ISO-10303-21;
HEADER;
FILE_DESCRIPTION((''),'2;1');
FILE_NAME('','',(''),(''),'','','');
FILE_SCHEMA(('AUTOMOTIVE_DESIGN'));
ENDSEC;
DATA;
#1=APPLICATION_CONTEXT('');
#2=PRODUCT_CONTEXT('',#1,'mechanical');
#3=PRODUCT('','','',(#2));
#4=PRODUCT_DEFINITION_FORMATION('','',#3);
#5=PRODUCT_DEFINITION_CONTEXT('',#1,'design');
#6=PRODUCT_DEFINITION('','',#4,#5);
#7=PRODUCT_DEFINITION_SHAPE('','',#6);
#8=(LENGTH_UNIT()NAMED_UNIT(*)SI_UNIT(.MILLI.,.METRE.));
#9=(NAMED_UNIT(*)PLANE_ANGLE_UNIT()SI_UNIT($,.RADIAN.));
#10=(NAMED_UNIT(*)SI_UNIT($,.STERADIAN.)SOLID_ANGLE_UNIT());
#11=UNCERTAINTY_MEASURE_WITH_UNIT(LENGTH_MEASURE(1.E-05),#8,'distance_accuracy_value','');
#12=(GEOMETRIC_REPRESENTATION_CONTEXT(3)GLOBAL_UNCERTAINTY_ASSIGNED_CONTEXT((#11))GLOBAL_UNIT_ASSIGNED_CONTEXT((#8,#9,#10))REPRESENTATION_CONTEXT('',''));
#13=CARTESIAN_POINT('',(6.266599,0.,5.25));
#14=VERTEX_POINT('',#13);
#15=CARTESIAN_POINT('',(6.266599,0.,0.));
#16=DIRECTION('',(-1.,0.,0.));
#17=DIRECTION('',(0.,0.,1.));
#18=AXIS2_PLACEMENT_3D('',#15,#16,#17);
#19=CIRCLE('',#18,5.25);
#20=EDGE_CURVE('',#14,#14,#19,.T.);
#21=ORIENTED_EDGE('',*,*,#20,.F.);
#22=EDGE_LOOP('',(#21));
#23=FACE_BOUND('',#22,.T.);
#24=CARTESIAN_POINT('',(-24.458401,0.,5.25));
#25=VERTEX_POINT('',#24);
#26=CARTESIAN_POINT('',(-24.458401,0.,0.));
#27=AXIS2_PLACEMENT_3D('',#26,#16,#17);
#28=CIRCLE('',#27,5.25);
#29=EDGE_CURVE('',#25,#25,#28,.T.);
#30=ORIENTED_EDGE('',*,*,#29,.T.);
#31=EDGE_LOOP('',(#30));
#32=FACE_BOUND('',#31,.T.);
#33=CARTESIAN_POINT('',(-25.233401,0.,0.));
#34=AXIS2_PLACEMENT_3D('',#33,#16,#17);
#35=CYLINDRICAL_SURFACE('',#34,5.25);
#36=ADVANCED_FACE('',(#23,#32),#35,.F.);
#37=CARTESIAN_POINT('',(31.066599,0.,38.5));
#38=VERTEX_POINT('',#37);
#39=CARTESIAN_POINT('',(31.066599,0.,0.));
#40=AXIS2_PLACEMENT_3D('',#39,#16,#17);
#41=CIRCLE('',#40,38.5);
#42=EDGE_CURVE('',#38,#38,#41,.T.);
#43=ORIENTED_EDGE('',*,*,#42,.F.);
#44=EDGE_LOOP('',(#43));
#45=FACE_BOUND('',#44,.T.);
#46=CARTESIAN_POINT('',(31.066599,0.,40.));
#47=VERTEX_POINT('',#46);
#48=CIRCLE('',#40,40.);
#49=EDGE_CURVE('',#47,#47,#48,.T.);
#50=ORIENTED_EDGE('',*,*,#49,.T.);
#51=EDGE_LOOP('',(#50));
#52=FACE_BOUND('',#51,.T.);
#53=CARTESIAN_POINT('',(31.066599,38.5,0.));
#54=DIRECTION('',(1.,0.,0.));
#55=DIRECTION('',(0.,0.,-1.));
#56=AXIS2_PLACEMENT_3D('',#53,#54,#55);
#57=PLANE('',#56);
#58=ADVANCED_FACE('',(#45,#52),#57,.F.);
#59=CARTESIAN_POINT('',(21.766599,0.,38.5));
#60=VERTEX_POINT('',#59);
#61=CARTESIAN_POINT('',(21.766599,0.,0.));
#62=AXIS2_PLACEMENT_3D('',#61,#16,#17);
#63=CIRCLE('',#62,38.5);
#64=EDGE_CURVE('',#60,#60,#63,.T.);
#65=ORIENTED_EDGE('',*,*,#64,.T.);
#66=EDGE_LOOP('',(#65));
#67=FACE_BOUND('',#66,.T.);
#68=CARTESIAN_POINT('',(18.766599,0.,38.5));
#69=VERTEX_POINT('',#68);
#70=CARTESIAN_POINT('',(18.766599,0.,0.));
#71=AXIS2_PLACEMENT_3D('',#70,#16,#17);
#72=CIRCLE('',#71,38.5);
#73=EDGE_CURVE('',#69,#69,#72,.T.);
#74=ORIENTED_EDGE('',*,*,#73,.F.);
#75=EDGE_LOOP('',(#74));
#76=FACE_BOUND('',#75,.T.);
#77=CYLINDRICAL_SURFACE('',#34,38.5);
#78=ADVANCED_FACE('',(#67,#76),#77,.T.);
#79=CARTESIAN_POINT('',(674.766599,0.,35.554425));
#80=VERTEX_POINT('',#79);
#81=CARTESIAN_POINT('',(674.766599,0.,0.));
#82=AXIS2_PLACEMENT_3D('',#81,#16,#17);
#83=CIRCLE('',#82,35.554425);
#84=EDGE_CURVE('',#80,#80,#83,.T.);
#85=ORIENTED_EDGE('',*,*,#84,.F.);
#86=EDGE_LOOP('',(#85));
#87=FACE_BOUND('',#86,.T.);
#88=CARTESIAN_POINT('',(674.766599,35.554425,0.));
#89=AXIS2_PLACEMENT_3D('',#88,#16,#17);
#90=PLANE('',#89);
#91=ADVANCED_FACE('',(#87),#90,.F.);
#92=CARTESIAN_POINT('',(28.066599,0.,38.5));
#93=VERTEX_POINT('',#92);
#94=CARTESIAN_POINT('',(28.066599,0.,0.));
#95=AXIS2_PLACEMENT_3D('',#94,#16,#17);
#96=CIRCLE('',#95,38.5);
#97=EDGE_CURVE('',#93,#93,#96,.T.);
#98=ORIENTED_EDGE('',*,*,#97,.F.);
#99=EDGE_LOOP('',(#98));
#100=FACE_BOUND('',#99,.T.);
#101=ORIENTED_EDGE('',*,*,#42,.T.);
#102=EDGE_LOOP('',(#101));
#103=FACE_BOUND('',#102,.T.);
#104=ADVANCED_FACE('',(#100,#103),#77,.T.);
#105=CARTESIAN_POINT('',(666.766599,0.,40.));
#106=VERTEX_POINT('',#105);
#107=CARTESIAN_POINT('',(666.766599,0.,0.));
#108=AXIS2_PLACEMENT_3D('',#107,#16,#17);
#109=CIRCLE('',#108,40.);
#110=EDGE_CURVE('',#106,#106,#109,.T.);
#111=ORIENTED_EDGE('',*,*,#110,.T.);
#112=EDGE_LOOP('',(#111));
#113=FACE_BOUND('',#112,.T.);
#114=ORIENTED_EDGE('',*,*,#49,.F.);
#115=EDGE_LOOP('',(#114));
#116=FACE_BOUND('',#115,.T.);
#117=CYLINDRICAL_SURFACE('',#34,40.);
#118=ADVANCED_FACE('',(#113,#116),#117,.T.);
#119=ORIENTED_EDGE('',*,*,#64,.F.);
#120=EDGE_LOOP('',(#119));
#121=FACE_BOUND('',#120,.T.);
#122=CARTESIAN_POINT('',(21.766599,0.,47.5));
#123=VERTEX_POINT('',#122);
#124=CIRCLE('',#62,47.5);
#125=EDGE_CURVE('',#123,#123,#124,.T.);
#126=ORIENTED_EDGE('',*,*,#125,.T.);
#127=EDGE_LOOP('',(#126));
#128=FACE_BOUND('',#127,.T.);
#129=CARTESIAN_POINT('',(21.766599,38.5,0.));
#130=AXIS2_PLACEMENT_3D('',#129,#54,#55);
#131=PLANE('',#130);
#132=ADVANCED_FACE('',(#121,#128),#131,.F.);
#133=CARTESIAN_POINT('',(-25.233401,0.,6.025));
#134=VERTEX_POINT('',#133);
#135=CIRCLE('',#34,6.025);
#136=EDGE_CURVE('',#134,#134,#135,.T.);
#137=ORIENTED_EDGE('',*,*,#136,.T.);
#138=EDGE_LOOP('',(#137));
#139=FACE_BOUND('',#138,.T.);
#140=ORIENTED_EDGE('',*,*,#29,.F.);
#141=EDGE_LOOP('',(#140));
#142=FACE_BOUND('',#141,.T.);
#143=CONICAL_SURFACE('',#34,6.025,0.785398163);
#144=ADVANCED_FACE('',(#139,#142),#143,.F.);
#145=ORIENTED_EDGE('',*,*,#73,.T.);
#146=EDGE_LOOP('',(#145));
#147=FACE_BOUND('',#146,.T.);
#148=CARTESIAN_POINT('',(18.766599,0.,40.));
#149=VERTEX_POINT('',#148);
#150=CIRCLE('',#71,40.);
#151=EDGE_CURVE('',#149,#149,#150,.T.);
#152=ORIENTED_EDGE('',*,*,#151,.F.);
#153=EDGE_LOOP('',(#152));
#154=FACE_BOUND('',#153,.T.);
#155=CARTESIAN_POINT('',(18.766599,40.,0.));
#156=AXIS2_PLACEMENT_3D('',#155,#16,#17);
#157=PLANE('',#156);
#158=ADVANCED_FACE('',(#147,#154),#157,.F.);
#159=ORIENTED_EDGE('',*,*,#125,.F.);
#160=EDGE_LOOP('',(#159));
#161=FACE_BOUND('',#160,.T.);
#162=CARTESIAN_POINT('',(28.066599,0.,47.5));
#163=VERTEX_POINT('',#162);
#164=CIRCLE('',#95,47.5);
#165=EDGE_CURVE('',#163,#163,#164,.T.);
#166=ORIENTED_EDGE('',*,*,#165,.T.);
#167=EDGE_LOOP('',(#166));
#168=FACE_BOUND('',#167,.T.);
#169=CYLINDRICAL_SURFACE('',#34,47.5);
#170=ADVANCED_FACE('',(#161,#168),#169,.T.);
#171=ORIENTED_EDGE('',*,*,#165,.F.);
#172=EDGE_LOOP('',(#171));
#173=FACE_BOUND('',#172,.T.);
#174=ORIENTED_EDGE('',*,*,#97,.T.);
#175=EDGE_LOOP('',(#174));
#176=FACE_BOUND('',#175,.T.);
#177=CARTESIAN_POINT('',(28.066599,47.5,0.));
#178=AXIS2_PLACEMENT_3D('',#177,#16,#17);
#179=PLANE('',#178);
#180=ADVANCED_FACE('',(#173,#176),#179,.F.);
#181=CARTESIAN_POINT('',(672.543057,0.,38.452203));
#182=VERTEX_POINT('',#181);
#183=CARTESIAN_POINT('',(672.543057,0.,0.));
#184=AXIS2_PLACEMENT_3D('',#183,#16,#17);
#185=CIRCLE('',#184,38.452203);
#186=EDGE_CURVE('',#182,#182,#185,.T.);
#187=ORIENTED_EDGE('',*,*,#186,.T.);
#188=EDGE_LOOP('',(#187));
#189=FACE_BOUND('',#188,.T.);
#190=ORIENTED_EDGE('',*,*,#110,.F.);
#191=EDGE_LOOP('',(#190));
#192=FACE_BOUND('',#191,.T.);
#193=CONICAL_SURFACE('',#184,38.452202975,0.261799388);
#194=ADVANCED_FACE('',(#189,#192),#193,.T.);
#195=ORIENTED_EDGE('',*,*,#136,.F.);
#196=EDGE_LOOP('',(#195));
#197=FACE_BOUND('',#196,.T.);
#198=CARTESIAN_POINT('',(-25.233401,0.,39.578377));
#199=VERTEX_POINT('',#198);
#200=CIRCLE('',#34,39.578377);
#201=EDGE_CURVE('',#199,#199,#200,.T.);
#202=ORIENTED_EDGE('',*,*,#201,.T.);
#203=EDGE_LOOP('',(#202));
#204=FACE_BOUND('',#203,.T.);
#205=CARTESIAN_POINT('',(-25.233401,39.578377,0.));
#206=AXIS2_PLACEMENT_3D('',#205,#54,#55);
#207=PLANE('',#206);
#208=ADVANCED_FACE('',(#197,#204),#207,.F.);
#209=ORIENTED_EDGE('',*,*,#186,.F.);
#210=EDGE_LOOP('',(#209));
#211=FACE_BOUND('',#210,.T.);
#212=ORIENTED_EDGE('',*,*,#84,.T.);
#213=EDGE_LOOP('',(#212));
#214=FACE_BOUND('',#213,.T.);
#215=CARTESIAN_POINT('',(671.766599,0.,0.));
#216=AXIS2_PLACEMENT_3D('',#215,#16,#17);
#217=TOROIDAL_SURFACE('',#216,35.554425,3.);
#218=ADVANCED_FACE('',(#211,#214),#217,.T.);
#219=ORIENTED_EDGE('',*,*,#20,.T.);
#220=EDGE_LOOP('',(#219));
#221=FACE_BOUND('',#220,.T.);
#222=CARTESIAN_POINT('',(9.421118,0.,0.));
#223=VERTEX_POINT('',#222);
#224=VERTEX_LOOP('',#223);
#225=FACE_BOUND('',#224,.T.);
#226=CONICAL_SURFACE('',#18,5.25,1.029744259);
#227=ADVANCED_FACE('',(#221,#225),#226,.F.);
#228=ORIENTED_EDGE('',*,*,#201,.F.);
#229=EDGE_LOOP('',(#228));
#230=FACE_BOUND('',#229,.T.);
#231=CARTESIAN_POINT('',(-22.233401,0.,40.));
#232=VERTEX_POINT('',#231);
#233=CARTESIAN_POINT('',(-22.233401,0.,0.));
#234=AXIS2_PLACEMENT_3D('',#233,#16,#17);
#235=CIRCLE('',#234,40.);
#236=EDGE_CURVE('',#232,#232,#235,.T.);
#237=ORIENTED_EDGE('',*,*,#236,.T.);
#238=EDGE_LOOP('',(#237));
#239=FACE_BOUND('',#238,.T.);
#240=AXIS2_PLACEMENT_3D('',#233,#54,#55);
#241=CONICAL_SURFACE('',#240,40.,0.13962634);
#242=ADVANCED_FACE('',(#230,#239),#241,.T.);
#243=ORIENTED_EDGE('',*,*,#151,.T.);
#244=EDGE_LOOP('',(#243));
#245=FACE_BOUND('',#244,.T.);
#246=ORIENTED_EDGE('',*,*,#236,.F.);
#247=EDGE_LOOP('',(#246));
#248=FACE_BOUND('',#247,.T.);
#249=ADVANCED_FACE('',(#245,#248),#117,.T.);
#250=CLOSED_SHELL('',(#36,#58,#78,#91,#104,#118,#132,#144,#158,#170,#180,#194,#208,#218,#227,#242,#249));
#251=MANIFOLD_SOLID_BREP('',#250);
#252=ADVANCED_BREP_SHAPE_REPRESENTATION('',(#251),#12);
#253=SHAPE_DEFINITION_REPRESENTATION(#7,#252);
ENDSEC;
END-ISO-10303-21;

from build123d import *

# Parameters (mm, degrees)
OTW_R_GWINTOWANY_M12X1_51_D           = 10.5
OTW_R_GWINTOWANY_M12X1_51_DEPTH       = 31.5
OTW_R_GWINTOWANY_M12X1_51_CSINK_D     = 12.05
OTW_R_GWINTOWANY_M12X1_51_CSINK_ANGLE = 90
OTW_R_GWINTOWANY_M12X1_51_TIP         = 3.15451825


with BuildPart() as part:
    # Sketch1 → Base-Revolve (revolve)
    with BuildSketch(Plane.XY, mode=Mode.PRIVATE) as base_revolve_sk:
        with BuildLine():
            Line((-22.233400605, 40), (18.766599395, 40))
            Line((18.766599395, 40), (18.766599395, 38.5))
            Line((18.766599395, 38.5), (21.766599395, 38.5))
            Line((21.766599395, 38.5), (21.766599395, 47.5))
            Line((21.766599395, 47.5), (28.066599395, 47.5))
            Line((28.066599395, 47.5), (28.066599395, 38.5))
            Line((28.066599395, 38.5), (31.066599395, 38.5))
            Line((31.066599395, 38.5), (31.066599395, 40))
            Line((31.066599395, 40), (666.766599395, 40))
            Line((666.766599395, 40), (672.54305653, 38.452202975))
            ThreePointArc((672.54305653, 38.452202975), (674.146659415, 37.380709784), (674.766599395, 35.554425497))
            Line((674.766599395, 35.554425497), (674.766599395, 0))
            Line((674.766599395, 0), (-25.233400605, 0))
            Line((-25.233400605, 0), (-25.233400605, 39.578377496))
            Line((-25.233400605, 39.578377496), (-22.233400605, 40))
        make_face()
    revolve(base_revolve_sk.sketch.rotate(Axis((-25.233400605, 0, 0), (1, 0, 0)), 90), axis=Axis((-25.233400605, 0, 0), (1, 0, 0)))

    # Otwór gwintowany M12x1.51
    with Locations(Plane.ZY.offset(25.233400605)):
        with Locations((0, 0)):
            CounterSinkHole(OTW_R_GWINTOWANY_M12X1_51_D / 2, OTW_R_GWINTOWANY_M12X1_51_CSINK_D / 2, depth=OTW_R_GWINTOWANY_M12X1_51_DEPTH, counter_sink_angle=OTW_R_GWINTOWANY_M12X1_51_CSINK_ANGLE)
            with Locations((0, 0, -(OTW_R_GWINTOWANY_M12X1_51_DEPTH + OTW_R_GWINTOWANY_M12X1_51_TIP / 2))):  # 118° drill point
                Cone(0, OTW_R_GWINTOWANY_M12X1_51_D / 2, OTW_R_GWINTOWANY_M12X1_51_TIP, mode=Mode.SUBTRACT)


solid = part.part
